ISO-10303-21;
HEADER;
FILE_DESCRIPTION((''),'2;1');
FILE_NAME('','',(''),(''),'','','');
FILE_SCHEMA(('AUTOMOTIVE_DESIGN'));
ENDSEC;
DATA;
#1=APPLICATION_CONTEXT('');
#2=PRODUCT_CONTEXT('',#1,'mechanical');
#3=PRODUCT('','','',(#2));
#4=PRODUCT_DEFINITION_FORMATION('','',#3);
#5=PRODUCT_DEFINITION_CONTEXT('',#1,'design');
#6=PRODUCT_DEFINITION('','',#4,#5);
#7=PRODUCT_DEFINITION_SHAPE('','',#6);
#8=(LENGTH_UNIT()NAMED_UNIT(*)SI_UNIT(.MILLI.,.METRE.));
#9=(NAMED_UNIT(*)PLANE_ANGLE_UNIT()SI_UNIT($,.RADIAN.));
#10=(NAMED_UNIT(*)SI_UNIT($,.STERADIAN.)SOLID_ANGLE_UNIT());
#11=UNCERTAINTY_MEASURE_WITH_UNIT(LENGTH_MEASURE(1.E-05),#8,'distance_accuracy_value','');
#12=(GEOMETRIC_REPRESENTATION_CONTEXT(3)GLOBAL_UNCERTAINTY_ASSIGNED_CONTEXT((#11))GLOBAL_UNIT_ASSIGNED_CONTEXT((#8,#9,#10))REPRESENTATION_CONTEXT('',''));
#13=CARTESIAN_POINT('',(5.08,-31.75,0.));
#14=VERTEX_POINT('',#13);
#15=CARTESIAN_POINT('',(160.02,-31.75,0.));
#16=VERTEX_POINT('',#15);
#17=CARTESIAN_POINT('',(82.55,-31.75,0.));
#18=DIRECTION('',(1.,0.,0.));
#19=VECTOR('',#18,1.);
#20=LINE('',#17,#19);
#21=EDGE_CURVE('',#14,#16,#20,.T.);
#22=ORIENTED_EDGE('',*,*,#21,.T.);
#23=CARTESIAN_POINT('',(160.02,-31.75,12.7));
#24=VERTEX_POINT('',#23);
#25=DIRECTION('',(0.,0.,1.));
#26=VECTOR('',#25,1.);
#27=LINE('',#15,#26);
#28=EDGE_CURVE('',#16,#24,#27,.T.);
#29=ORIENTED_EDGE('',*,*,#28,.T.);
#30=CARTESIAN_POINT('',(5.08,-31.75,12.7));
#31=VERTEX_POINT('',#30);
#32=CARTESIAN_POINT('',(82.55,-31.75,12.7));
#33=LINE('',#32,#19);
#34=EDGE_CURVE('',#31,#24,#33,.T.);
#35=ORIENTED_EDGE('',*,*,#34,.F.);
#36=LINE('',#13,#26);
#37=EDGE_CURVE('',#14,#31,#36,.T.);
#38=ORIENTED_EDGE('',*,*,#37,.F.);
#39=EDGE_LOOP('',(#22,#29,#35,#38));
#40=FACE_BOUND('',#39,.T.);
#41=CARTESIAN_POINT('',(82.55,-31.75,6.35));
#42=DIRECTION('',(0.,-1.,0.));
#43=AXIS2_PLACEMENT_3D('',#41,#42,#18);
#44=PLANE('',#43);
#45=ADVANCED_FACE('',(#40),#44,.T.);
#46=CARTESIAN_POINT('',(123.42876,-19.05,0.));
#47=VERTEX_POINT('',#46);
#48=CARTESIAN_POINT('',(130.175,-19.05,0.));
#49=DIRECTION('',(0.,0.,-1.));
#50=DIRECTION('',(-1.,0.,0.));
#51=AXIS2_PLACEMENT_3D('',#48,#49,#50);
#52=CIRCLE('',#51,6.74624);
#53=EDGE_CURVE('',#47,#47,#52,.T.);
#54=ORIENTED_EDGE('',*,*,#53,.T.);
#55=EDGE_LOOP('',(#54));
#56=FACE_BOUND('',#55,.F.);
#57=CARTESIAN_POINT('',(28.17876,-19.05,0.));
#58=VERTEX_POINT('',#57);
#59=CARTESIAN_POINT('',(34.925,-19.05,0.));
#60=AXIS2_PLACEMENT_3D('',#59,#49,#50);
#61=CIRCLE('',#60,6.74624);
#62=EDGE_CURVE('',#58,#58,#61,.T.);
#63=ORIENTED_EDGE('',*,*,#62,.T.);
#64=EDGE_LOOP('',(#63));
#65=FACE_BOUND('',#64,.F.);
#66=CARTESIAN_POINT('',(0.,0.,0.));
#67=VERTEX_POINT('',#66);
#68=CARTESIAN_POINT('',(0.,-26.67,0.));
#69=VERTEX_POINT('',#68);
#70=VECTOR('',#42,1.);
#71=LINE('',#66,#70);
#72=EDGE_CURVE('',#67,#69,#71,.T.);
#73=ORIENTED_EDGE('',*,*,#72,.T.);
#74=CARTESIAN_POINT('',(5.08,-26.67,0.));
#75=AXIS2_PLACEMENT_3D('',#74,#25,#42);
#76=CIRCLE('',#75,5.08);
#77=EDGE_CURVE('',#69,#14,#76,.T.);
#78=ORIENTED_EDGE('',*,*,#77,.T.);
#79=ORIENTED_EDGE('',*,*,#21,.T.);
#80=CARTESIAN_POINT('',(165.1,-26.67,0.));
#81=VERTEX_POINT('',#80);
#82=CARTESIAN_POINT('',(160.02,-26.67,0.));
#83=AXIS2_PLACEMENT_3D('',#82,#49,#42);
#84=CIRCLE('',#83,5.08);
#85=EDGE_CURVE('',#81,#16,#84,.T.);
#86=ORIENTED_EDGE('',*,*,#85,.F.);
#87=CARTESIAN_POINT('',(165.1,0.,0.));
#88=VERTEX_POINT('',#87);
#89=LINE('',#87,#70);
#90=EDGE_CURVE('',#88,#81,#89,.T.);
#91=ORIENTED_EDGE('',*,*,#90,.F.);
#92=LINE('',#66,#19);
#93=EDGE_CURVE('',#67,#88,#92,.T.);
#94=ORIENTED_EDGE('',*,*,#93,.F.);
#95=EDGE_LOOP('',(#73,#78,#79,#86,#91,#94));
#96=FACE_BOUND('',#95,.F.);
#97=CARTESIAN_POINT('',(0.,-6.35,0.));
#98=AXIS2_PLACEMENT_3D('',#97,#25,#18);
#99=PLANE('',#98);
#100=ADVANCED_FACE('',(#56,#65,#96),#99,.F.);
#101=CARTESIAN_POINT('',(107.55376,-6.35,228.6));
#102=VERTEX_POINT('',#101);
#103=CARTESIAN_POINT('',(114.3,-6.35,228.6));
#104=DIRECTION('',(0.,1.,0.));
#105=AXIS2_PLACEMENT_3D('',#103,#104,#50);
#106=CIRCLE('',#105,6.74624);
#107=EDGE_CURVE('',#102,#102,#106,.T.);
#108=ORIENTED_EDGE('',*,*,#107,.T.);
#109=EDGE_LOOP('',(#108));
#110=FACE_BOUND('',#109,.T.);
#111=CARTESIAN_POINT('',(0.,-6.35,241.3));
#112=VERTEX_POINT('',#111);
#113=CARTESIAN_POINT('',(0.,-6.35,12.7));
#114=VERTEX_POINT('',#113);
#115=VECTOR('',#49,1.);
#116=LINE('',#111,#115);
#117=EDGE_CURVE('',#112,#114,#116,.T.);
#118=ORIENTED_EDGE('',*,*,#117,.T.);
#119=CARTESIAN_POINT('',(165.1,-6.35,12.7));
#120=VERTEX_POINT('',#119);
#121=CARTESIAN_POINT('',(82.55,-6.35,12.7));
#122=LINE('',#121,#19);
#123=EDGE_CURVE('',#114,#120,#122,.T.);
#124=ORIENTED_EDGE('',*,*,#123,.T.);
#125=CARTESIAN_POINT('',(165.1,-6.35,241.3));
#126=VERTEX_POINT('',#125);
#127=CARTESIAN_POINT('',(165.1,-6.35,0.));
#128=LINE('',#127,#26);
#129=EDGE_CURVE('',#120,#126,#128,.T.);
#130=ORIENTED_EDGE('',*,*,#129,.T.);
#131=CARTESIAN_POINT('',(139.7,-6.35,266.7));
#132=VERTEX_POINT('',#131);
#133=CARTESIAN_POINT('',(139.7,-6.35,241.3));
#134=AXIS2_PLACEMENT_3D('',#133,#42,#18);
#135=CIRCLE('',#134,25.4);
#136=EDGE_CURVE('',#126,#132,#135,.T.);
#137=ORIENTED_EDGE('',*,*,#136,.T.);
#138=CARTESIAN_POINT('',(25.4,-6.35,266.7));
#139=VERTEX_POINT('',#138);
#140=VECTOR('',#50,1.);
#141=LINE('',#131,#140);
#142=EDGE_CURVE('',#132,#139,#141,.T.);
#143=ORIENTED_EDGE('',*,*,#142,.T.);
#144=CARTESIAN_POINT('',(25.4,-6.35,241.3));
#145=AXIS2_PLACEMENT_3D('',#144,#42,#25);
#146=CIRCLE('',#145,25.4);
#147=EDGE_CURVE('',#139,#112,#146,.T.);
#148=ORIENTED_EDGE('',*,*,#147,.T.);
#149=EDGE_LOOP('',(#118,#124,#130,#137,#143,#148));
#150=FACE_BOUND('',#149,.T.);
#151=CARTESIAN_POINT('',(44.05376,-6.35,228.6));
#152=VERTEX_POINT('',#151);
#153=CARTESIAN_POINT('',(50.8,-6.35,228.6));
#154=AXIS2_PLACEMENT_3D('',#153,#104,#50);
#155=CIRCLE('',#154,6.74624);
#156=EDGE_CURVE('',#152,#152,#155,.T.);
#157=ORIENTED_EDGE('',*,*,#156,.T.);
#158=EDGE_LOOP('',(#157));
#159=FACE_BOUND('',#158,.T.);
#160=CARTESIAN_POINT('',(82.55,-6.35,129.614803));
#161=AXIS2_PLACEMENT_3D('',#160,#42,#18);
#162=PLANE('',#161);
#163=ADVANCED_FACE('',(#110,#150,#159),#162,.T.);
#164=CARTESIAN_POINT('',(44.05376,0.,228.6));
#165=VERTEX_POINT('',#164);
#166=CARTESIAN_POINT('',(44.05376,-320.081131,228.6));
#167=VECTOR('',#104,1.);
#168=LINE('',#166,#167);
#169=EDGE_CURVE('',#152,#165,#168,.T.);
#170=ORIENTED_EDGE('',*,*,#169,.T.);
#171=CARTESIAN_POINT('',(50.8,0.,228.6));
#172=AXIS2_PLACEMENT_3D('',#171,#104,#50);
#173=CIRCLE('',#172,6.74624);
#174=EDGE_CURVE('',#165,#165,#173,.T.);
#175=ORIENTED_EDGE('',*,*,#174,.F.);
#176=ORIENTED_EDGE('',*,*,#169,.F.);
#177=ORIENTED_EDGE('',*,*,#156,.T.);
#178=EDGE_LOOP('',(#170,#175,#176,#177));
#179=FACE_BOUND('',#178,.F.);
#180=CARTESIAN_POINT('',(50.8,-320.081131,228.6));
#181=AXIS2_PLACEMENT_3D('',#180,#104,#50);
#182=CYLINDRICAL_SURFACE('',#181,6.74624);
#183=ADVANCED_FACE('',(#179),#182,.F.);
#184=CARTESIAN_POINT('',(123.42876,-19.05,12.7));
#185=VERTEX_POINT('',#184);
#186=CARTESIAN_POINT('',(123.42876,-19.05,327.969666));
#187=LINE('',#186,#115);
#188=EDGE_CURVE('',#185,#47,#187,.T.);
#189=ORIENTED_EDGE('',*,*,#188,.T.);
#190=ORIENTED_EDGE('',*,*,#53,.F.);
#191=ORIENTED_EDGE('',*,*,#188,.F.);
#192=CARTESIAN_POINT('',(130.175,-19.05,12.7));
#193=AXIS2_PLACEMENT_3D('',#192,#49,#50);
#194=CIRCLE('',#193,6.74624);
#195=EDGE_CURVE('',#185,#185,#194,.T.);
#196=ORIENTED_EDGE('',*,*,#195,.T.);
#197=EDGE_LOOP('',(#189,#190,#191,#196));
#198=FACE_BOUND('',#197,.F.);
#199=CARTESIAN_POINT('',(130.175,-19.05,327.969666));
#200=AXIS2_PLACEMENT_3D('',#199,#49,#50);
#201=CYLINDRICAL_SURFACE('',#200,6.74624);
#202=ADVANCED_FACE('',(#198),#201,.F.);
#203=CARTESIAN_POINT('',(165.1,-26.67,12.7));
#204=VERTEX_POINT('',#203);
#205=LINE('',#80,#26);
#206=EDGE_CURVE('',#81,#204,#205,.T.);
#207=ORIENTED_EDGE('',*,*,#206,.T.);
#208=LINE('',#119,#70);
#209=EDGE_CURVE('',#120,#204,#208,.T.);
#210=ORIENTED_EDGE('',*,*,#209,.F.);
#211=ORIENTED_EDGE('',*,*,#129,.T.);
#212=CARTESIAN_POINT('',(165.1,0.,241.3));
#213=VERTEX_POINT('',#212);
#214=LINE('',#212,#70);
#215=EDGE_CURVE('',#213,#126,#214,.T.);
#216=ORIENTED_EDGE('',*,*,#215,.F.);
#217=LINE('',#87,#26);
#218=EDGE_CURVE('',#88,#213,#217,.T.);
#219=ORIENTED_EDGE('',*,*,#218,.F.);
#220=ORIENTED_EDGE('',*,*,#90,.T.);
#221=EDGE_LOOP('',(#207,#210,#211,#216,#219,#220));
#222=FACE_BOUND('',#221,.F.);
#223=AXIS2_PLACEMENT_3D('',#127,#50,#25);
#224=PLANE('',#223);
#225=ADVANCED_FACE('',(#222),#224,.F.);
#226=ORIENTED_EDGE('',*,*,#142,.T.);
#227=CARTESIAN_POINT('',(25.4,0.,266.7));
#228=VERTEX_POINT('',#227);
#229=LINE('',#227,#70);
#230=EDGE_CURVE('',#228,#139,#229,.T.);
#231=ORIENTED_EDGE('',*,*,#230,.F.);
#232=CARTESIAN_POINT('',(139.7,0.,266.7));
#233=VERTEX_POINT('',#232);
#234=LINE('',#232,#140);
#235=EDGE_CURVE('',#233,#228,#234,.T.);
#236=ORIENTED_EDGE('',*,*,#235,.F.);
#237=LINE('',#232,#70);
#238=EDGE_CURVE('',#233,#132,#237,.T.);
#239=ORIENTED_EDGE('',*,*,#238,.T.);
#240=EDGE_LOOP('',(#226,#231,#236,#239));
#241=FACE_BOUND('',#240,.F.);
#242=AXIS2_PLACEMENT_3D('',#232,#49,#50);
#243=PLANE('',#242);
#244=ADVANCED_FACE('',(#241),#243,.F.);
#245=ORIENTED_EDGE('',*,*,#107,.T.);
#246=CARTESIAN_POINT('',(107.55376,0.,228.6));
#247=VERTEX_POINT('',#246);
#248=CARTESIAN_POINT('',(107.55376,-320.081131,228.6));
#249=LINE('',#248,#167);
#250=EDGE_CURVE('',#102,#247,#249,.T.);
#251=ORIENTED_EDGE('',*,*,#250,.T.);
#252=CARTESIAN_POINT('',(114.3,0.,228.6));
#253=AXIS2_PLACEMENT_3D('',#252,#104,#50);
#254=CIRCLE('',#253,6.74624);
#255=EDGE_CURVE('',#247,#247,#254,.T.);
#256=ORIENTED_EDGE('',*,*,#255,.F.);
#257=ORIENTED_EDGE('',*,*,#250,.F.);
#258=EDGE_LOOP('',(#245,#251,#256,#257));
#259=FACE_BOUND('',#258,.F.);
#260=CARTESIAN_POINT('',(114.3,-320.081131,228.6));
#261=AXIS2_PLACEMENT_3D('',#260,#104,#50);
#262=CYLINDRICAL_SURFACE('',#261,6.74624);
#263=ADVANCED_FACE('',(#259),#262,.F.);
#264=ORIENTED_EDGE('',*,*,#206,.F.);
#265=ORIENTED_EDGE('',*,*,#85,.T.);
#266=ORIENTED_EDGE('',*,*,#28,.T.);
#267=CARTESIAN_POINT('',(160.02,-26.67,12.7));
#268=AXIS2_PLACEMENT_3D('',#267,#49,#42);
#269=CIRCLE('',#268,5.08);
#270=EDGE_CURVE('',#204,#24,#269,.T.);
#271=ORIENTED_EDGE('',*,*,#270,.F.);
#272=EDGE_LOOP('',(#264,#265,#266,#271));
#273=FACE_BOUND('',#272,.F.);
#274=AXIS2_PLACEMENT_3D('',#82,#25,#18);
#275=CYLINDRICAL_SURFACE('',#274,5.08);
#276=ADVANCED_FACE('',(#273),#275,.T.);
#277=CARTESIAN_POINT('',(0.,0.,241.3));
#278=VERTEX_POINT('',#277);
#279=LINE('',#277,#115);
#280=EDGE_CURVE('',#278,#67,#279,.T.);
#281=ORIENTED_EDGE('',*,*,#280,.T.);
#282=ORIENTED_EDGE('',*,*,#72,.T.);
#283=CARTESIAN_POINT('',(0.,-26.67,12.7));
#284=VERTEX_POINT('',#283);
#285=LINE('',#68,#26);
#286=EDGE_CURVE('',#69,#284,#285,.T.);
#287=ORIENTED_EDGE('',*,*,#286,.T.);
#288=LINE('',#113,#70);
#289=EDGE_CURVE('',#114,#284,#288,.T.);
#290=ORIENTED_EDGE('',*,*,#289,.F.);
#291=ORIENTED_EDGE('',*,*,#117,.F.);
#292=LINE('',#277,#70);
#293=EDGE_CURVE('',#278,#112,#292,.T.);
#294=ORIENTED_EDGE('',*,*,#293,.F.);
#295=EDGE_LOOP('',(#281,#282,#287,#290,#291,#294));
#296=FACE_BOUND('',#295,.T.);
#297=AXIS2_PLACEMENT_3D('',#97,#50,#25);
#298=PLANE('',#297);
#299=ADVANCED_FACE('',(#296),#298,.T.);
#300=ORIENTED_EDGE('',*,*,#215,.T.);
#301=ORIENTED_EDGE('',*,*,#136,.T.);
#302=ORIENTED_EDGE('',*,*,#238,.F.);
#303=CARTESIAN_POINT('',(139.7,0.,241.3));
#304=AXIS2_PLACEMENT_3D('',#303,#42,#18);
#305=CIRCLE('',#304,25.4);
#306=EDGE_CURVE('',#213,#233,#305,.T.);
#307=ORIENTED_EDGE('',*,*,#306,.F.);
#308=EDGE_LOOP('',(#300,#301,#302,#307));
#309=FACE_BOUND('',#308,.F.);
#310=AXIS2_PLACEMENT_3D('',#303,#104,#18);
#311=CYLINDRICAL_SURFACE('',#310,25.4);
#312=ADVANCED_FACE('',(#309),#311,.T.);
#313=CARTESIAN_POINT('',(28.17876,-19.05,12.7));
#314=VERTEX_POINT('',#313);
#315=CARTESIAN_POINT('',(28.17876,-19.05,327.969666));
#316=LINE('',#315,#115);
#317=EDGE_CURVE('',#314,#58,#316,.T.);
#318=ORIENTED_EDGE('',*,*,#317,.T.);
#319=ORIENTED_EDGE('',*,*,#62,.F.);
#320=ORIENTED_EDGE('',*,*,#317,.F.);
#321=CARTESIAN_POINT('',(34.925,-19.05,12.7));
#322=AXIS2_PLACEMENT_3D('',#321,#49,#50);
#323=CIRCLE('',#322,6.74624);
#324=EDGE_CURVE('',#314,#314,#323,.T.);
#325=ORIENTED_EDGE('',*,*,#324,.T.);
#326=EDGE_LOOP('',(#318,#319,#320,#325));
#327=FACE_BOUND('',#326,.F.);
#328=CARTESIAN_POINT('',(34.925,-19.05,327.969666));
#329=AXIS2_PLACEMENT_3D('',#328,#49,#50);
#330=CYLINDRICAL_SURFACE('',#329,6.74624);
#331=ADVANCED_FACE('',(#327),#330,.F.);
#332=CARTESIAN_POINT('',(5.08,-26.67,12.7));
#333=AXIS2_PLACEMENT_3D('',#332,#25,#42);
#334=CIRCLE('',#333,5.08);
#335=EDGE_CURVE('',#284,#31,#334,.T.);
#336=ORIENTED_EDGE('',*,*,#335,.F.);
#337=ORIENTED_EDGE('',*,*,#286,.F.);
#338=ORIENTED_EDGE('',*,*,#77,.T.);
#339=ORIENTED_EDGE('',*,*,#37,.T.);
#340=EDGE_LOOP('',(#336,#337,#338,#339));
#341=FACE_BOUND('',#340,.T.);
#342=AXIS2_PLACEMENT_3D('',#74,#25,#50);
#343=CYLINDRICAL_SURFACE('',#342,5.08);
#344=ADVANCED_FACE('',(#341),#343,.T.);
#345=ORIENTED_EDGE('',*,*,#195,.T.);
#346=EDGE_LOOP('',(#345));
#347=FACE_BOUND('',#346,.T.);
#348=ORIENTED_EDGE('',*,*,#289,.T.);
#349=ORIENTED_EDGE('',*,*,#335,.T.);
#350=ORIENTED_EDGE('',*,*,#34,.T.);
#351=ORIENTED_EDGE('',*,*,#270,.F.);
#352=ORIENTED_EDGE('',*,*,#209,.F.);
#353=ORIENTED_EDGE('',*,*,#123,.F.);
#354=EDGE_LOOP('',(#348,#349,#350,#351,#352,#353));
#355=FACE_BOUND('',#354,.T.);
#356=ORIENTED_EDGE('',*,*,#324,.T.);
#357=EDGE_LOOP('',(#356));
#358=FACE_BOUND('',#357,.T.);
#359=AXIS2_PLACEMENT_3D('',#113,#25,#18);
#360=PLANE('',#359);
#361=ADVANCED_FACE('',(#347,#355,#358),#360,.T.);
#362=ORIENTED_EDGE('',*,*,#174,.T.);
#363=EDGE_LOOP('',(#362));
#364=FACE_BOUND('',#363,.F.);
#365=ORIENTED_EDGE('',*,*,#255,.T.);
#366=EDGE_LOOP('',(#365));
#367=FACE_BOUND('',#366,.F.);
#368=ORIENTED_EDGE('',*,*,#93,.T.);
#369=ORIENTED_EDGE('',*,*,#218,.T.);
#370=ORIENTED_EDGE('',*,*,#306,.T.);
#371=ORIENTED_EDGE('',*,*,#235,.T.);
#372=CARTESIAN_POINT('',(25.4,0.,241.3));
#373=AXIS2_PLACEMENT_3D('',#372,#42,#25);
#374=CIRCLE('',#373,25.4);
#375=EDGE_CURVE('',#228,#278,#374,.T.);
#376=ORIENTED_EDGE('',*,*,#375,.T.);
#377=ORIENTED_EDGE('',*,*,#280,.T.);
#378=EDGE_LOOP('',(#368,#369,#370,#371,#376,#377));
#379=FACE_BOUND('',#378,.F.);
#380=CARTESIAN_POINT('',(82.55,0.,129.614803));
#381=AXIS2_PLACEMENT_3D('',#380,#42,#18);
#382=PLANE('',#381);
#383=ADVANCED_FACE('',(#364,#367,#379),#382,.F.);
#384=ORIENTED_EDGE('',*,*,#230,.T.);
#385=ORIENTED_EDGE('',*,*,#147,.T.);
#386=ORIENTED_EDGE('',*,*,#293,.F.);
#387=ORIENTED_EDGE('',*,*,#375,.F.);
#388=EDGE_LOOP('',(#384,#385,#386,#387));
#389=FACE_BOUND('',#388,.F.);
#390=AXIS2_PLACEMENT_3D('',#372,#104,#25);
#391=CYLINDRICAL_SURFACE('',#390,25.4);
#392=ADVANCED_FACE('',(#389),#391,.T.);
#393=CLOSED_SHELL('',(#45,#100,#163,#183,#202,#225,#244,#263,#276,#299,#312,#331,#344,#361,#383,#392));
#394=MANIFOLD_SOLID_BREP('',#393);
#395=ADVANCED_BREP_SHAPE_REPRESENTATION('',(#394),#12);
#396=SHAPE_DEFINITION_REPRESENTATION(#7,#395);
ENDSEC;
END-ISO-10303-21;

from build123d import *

# Parameters (mm, degrees)
F1_DEPTH = 6.35
F3_D     = 13.49248
F4_W     = 165.1
F4_H     = 12.7
F5_DEPTH = 25.4
F6_R     = 5.08
F8_D     = 13.49248


with BuildPart() as f1:
    # F0 (on Front) → F1 (new body)
    with BuildSketch(Plane.XZ):
        with BuildLine():
            Line((0, 241.3), (0, 0))
            Line((0, 0), (165.1, 0))
            Line((165.1, 0), (165.1, 241.3))
            ThreePointArc((165.1, 241.3), (157.6605122421, 259.2605122421), (139.7, 266.7))
            Line((139.7, 266.7), (25.4, 266.7))
            ThreePointArc((25.4, 266.7), (7.4394877579, 259.2605122421), (0, 241.3))
        make_face()
    extrude(amount=F1_DEPTH)

    # F3 (through all)
    with Locations(Plane.XZ.offset(6.35)):
        with Locations((50.8, 228.6), (114.3, 228.6)):
            Hole(F3_D / 2)

    # F4 (on face) → F5 (join)
    with BuildSketch(Plane.XZ.offset(6.35)):
        with Locations((82.55, 6.35)):
            Rectangle(F4_W, F4_H)
    extrude(amount=F5_DEPTH)

    # F6
    f6_edges = [f1.edges().sort_by_distance(p)[0] for p in [
        (165.1, -31.75, 6.35),
        (0, -31.75, 6.35),
    ]]
    fillet(f6_edges, radius=F6_R)

    # F8 (through all)
    with Locations(Plane.XY.offset(12.7)):
        with Locations((34.925, -19.05), (130.175, -19.05)):
            Hole(F8_D / 2)


solid = f1.part
